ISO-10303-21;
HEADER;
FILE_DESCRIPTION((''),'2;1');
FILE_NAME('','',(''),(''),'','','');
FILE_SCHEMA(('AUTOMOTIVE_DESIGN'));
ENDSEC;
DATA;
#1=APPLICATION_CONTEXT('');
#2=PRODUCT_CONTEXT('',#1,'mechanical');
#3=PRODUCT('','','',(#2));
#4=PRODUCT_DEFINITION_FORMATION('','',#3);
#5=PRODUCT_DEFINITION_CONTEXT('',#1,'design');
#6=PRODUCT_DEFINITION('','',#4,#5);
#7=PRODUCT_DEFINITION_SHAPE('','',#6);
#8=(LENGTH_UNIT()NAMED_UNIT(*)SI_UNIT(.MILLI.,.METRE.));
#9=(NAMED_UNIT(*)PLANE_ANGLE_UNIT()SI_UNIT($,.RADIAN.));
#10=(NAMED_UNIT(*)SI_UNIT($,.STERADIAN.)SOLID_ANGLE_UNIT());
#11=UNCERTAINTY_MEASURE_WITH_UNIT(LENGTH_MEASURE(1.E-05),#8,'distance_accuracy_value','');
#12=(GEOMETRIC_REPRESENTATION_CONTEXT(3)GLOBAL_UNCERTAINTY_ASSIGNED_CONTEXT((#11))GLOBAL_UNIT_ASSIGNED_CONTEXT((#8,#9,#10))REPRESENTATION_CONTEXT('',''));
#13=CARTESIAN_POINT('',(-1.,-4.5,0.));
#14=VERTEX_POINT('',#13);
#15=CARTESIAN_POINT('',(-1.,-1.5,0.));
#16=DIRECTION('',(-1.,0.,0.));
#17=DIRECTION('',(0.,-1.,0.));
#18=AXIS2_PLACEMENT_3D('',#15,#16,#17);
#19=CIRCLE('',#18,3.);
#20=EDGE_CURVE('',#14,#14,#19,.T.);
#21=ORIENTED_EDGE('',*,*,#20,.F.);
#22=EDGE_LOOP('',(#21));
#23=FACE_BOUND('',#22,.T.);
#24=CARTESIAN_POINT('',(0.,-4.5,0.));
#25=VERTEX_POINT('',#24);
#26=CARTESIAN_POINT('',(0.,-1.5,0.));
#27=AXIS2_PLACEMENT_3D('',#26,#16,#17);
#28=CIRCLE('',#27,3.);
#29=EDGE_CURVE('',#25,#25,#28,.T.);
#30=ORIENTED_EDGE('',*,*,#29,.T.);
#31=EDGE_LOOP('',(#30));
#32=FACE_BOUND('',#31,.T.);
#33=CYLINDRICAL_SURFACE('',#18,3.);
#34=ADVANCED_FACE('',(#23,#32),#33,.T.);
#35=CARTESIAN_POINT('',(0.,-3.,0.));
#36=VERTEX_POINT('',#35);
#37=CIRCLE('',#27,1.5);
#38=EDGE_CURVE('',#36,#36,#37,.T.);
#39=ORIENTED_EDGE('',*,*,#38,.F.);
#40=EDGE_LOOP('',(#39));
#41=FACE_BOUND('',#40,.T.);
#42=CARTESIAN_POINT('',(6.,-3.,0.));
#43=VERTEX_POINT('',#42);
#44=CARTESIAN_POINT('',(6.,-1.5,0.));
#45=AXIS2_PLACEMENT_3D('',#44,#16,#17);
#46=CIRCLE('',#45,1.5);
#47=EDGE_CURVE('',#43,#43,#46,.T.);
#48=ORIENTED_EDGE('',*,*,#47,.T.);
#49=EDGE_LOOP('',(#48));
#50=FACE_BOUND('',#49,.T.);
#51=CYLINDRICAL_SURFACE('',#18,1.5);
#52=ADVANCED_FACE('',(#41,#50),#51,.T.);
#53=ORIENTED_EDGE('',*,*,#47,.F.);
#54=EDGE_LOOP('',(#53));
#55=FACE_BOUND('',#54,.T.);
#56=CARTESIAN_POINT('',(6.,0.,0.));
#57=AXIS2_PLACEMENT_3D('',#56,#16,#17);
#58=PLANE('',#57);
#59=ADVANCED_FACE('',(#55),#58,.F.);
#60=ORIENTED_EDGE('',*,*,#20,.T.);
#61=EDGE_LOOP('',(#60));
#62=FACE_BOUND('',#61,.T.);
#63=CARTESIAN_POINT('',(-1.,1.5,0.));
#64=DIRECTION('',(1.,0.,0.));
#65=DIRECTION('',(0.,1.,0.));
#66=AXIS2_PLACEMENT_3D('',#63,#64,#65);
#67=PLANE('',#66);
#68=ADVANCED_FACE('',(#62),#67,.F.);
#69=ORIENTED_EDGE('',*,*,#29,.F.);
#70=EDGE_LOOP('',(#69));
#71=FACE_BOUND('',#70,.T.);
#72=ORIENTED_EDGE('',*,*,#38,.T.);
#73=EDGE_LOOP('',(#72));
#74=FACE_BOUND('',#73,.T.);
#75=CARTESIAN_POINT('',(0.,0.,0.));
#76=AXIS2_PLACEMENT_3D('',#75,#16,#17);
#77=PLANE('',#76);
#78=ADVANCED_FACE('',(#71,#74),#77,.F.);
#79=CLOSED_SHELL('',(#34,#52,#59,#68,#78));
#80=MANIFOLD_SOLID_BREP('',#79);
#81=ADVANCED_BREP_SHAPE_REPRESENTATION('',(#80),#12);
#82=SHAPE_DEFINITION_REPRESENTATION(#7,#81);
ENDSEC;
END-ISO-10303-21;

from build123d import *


with BuildPart() as part:
    # 草图1 → 旋转1 (revolve)
    with BuildSketch(Plane.XY, mode=Mode.PRIVATE) as revolve_1_sk:
        Polygon((0, 0), (6, 0), (6, -1.5), (-1, -1.5), (-1, 1.5), (0, 1.5), align=None)
    revolve(revolve_1_sk.sketch.rotate(Axis((-1, -1.5, 0), (1, 0, 0)), 180), axis=Axis((-1, -1.5, 0), (1, 0, 0)))


solid = part.part
